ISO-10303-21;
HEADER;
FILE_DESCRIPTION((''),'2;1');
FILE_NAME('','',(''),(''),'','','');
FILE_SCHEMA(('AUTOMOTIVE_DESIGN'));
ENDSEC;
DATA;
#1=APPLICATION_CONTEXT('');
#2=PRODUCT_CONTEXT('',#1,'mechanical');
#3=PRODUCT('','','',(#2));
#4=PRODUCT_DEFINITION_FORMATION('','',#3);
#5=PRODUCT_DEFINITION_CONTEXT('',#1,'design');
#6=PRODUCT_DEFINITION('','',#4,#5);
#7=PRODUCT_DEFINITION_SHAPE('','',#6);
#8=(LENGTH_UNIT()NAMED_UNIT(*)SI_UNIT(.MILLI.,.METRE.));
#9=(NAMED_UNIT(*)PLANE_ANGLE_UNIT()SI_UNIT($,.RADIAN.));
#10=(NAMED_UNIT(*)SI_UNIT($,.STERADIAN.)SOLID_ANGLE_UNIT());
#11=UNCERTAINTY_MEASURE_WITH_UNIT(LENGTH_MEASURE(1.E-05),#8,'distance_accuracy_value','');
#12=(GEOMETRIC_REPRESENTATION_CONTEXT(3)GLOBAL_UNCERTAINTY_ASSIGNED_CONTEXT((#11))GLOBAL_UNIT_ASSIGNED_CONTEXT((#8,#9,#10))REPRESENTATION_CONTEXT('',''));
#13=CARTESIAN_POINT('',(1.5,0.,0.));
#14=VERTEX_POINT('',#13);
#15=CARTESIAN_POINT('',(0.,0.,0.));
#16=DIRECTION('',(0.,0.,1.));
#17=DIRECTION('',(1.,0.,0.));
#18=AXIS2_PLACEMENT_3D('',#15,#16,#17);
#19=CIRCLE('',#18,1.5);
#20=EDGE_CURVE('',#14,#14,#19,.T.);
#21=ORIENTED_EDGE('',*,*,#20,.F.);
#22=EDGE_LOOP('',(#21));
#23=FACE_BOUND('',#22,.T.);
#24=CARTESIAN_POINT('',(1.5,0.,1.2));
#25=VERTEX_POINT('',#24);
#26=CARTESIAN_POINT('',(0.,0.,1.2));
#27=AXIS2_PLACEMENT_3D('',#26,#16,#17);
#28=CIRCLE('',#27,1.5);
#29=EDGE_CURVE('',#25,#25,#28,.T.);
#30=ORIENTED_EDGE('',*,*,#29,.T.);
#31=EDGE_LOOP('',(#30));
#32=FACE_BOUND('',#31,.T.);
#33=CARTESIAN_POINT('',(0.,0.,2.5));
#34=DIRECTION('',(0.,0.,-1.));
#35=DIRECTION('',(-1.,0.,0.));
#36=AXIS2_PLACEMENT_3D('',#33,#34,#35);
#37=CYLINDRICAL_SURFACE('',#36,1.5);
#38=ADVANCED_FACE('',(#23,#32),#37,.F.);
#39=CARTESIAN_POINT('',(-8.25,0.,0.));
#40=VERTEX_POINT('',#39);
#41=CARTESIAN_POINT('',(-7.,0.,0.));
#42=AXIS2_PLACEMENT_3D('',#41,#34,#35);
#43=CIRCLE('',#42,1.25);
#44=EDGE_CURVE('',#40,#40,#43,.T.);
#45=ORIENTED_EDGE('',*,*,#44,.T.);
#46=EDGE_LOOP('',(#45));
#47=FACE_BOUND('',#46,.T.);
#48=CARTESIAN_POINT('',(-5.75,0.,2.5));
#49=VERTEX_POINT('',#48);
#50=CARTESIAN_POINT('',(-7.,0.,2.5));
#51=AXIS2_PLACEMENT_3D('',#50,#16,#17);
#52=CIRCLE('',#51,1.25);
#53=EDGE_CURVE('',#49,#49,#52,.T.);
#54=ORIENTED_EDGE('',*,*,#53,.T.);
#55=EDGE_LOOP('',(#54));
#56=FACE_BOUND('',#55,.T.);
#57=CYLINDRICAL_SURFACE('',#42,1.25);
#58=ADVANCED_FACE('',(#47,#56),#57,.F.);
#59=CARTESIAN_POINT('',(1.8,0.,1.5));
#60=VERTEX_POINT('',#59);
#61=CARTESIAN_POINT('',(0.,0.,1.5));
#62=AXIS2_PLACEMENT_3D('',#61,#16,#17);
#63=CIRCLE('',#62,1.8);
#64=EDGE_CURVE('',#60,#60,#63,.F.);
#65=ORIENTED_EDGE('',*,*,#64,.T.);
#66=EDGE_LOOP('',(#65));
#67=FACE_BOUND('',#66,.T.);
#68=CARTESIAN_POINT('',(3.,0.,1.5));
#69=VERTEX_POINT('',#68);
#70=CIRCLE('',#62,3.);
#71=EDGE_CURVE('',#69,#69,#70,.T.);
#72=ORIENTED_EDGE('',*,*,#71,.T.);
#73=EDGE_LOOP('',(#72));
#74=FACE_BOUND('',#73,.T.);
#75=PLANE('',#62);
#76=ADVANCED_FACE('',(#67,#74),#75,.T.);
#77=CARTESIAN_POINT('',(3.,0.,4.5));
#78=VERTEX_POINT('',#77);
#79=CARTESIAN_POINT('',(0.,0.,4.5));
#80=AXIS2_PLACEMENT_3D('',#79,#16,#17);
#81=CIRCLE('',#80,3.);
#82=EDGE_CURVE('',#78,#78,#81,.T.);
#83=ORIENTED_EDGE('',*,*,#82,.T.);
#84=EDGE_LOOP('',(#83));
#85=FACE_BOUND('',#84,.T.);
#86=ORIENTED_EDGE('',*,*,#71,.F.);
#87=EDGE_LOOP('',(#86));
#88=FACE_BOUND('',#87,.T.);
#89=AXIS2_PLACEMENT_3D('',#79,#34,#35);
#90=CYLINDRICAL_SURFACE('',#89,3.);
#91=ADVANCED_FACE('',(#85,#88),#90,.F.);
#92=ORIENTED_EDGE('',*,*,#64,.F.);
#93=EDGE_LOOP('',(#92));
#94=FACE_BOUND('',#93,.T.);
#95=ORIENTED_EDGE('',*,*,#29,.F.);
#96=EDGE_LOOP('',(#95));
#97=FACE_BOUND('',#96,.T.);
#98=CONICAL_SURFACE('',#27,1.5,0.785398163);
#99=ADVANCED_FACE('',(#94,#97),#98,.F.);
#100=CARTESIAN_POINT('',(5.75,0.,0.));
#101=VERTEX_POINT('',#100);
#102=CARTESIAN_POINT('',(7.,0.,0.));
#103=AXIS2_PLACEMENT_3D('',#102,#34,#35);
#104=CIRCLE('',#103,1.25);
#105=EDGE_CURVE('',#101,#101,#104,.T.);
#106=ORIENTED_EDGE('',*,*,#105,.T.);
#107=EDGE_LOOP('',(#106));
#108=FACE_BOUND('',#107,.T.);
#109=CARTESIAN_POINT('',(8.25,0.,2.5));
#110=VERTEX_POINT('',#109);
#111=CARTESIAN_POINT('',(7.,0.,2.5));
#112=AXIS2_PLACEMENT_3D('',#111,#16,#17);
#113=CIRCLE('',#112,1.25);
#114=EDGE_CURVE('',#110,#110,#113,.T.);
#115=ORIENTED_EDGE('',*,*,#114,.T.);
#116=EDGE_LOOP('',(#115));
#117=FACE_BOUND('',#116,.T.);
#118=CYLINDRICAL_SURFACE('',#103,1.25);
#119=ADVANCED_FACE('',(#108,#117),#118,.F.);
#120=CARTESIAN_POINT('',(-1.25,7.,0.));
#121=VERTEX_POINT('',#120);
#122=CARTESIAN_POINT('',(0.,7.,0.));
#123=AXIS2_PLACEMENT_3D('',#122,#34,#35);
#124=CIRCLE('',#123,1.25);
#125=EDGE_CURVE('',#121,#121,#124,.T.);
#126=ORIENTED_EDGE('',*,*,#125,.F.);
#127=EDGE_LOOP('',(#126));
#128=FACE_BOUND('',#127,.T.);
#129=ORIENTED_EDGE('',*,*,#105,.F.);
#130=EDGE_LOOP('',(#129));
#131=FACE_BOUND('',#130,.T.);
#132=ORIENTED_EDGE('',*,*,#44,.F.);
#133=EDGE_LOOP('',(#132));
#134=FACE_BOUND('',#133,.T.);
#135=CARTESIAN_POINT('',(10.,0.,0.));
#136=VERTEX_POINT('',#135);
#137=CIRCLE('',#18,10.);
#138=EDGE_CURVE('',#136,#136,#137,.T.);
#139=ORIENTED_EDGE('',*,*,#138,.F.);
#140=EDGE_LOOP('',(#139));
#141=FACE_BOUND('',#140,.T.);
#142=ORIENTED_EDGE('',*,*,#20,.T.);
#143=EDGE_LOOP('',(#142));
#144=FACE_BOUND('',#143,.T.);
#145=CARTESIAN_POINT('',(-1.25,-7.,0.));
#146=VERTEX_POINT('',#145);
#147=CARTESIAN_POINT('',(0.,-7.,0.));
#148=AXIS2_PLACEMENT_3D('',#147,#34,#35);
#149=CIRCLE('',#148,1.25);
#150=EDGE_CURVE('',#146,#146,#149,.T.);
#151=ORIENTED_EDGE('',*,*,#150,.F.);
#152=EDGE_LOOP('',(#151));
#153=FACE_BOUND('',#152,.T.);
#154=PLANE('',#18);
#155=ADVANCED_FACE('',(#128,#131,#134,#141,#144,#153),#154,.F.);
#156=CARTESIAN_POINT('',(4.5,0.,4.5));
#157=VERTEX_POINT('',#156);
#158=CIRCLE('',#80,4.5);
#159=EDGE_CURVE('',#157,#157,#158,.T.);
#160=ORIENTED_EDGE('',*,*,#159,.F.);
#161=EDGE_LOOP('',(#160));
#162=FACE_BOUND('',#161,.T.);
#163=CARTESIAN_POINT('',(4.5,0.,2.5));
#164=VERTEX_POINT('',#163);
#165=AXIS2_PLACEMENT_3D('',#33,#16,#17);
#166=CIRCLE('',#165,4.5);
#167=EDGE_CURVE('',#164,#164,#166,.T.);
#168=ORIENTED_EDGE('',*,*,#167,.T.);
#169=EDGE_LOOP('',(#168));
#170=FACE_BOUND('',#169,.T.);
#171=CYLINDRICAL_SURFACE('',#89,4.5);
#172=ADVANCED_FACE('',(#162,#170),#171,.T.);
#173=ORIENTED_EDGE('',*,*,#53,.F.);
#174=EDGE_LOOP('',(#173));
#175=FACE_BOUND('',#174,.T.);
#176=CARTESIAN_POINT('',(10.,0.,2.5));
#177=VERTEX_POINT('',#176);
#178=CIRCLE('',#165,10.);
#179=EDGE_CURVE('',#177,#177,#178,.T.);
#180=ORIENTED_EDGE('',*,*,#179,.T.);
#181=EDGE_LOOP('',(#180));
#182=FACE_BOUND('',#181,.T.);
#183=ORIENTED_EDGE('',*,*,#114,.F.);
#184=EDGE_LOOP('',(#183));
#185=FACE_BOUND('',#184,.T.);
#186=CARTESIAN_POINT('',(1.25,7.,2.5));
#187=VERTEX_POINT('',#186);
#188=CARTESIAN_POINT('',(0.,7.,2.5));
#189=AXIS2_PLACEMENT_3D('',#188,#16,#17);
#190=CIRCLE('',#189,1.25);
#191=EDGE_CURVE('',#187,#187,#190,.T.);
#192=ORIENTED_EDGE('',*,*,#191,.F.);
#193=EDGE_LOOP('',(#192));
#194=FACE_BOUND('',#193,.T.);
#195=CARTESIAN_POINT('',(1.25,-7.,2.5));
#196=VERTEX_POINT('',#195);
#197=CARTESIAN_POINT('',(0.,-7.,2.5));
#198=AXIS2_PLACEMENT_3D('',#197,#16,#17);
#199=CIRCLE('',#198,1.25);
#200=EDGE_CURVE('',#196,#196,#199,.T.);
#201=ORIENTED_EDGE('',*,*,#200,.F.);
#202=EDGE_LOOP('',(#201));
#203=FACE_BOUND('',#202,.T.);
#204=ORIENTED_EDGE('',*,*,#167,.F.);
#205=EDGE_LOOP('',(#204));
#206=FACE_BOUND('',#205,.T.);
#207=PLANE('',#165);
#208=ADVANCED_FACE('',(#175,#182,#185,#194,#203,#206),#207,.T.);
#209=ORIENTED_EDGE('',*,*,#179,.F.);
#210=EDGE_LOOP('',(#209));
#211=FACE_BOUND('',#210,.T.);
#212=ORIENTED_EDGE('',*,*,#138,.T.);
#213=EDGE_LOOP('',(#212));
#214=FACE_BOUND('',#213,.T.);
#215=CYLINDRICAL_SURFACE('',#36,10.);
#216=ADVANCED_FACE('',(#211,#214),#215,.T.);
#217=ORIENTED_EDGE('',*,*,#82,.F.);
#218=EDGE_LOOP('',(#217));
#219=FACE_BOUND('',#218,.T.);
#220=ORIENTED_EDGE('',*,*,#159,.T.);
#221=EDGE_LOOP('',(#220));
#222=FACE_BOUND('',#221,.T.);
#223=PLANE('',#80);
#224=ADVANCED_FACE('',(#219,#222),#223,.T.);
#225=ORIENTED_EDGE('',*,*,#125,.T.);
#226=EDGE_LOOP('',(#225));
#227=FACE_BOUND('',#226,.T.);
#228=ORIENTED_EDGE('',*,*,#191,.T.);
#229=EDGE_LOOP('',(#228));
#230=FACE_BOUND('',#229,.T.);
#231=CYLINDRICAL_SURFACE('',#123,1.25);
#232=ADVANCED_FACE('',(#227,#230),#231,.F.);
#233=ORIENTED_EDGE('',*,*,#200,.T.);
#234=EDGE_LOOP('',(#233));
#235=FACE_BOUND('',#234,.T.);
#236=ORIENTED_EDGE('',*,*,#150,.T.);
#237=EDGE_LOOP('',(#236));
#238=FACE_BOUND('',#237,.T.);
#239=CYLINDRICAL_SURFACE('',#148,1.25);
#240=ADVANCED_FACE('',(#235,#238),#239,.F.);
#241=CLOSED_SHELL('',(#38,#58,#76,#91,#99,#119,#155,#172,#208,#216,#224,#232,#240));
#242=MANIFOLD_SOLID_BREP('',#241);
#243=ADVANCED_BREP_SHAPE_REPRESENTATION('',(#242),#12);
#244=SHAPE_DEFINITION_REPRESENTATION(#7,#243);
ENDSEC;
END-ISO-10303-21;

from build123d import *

# Parameters (mm, degrees)
SKETCH_1_R             = 10
SKETCH_1_R_2           = 0.5
SKETCH_1_R_3           = 1.5
EXTRUDE_1_DEPTH        = 2.5
SKETCH_2_R             = 4.5
SKETCH_2_R_2           = 3
EXTRUDE_2_DEPTH        = 2
CUT_EXTRUDE_START      = -1
SKETCH_3_R             = 3
CUT_EXTRUDE_1_DEPTH    = 1
CHAMFER_1_SIZE         = 0.3
HOLE_WIZARD_M3_1_D     = 2.5
HOLE_WIZARD_M3_1_DEPTH = 6.5
HOLE_WIZARD_M3_1_TIP   = 0.751075774


with BuildPart() as part:
    # 草图1 → 凸台-拉伸1 (new body)
    with BuildSketch(Plane.XY):
        Circle(SKETCH_1_R)
        with Locations((0, 7)):
            Circle(SKETCH_1_R_2, mode=Mode.SUBTRACT)
        with Locations((7, 0)):
            Circle(SKETCH_1_R_2, mode=Mode.SUBTRACT)
        with Locations((0, -7)):
            Circle(SKETCH_1_R_2, mode=Mode.SUBTRACT)
        with Locations((-7, 0)):
            Circle(SKETCH_1_R_2, mode=Mode.SUBTRACT)
        Circle(SKETCH_1_R_3, mode=Mode.SUBTRACT)
    extrude(amount=EXTRUDE_1_DEPTH)

    # 草图2 → 凸台-拉伸2 (add)
    with BuildSketch(Plane.XY.offset(2.5)):
        Circle(SKETCH_2_R)
        Circle(SKETCH_2_R_2, mode=Mode.SUBTRACT)
    extrude(amount=EXTRUDE_2_DEPTH)

    # 草图3 → 切除-拉伸1 (cut)
    with BuildSketch(Plane.XY.offset(2.5).offset(CUT_EXTRUDE_START)):
        Circle(SKETCH_3_R)
    extrude(amount=CUT_EXTRUDE_1_DEPTH, mode=Mode.SUBTRACT)

    # 倒角1
    chamfer_1_edges = [part.edges().sort_by_distance(p)[0] for p in [
        (-1.5, 0, 1.5),
    ]]
    chamfer(chamfer_1_edges, length=CHAMFER_1_SIZE)

    # M3 螺纹孔的螺纹孔钻头1
    with Locations(Plane(origin=(0, 0, 0), x_dir=(-1, 0, 0), z_dir=(0, 0, -1))):
        with Locations((0, 7), (7, 0), (0, -7), (-7, 0)):
            Hole(HOLE_WIZARD_M3_1_D / 2, depth=HOLE_WIZARD_M3_1_DEPTH)
            with Locations((0, 0, -(HOLE_WIZARD_M3_1_DEPTH + HOLE_WIZARD_M3_1_TIP / 2))):  # 118° drill point
                Cone(0, HOLE_WIZARD_M3_1_D / 2, HOLE_WIZARD_M3_1_TIP, mode=Mode.SUBTRACT)


solid = part.part
